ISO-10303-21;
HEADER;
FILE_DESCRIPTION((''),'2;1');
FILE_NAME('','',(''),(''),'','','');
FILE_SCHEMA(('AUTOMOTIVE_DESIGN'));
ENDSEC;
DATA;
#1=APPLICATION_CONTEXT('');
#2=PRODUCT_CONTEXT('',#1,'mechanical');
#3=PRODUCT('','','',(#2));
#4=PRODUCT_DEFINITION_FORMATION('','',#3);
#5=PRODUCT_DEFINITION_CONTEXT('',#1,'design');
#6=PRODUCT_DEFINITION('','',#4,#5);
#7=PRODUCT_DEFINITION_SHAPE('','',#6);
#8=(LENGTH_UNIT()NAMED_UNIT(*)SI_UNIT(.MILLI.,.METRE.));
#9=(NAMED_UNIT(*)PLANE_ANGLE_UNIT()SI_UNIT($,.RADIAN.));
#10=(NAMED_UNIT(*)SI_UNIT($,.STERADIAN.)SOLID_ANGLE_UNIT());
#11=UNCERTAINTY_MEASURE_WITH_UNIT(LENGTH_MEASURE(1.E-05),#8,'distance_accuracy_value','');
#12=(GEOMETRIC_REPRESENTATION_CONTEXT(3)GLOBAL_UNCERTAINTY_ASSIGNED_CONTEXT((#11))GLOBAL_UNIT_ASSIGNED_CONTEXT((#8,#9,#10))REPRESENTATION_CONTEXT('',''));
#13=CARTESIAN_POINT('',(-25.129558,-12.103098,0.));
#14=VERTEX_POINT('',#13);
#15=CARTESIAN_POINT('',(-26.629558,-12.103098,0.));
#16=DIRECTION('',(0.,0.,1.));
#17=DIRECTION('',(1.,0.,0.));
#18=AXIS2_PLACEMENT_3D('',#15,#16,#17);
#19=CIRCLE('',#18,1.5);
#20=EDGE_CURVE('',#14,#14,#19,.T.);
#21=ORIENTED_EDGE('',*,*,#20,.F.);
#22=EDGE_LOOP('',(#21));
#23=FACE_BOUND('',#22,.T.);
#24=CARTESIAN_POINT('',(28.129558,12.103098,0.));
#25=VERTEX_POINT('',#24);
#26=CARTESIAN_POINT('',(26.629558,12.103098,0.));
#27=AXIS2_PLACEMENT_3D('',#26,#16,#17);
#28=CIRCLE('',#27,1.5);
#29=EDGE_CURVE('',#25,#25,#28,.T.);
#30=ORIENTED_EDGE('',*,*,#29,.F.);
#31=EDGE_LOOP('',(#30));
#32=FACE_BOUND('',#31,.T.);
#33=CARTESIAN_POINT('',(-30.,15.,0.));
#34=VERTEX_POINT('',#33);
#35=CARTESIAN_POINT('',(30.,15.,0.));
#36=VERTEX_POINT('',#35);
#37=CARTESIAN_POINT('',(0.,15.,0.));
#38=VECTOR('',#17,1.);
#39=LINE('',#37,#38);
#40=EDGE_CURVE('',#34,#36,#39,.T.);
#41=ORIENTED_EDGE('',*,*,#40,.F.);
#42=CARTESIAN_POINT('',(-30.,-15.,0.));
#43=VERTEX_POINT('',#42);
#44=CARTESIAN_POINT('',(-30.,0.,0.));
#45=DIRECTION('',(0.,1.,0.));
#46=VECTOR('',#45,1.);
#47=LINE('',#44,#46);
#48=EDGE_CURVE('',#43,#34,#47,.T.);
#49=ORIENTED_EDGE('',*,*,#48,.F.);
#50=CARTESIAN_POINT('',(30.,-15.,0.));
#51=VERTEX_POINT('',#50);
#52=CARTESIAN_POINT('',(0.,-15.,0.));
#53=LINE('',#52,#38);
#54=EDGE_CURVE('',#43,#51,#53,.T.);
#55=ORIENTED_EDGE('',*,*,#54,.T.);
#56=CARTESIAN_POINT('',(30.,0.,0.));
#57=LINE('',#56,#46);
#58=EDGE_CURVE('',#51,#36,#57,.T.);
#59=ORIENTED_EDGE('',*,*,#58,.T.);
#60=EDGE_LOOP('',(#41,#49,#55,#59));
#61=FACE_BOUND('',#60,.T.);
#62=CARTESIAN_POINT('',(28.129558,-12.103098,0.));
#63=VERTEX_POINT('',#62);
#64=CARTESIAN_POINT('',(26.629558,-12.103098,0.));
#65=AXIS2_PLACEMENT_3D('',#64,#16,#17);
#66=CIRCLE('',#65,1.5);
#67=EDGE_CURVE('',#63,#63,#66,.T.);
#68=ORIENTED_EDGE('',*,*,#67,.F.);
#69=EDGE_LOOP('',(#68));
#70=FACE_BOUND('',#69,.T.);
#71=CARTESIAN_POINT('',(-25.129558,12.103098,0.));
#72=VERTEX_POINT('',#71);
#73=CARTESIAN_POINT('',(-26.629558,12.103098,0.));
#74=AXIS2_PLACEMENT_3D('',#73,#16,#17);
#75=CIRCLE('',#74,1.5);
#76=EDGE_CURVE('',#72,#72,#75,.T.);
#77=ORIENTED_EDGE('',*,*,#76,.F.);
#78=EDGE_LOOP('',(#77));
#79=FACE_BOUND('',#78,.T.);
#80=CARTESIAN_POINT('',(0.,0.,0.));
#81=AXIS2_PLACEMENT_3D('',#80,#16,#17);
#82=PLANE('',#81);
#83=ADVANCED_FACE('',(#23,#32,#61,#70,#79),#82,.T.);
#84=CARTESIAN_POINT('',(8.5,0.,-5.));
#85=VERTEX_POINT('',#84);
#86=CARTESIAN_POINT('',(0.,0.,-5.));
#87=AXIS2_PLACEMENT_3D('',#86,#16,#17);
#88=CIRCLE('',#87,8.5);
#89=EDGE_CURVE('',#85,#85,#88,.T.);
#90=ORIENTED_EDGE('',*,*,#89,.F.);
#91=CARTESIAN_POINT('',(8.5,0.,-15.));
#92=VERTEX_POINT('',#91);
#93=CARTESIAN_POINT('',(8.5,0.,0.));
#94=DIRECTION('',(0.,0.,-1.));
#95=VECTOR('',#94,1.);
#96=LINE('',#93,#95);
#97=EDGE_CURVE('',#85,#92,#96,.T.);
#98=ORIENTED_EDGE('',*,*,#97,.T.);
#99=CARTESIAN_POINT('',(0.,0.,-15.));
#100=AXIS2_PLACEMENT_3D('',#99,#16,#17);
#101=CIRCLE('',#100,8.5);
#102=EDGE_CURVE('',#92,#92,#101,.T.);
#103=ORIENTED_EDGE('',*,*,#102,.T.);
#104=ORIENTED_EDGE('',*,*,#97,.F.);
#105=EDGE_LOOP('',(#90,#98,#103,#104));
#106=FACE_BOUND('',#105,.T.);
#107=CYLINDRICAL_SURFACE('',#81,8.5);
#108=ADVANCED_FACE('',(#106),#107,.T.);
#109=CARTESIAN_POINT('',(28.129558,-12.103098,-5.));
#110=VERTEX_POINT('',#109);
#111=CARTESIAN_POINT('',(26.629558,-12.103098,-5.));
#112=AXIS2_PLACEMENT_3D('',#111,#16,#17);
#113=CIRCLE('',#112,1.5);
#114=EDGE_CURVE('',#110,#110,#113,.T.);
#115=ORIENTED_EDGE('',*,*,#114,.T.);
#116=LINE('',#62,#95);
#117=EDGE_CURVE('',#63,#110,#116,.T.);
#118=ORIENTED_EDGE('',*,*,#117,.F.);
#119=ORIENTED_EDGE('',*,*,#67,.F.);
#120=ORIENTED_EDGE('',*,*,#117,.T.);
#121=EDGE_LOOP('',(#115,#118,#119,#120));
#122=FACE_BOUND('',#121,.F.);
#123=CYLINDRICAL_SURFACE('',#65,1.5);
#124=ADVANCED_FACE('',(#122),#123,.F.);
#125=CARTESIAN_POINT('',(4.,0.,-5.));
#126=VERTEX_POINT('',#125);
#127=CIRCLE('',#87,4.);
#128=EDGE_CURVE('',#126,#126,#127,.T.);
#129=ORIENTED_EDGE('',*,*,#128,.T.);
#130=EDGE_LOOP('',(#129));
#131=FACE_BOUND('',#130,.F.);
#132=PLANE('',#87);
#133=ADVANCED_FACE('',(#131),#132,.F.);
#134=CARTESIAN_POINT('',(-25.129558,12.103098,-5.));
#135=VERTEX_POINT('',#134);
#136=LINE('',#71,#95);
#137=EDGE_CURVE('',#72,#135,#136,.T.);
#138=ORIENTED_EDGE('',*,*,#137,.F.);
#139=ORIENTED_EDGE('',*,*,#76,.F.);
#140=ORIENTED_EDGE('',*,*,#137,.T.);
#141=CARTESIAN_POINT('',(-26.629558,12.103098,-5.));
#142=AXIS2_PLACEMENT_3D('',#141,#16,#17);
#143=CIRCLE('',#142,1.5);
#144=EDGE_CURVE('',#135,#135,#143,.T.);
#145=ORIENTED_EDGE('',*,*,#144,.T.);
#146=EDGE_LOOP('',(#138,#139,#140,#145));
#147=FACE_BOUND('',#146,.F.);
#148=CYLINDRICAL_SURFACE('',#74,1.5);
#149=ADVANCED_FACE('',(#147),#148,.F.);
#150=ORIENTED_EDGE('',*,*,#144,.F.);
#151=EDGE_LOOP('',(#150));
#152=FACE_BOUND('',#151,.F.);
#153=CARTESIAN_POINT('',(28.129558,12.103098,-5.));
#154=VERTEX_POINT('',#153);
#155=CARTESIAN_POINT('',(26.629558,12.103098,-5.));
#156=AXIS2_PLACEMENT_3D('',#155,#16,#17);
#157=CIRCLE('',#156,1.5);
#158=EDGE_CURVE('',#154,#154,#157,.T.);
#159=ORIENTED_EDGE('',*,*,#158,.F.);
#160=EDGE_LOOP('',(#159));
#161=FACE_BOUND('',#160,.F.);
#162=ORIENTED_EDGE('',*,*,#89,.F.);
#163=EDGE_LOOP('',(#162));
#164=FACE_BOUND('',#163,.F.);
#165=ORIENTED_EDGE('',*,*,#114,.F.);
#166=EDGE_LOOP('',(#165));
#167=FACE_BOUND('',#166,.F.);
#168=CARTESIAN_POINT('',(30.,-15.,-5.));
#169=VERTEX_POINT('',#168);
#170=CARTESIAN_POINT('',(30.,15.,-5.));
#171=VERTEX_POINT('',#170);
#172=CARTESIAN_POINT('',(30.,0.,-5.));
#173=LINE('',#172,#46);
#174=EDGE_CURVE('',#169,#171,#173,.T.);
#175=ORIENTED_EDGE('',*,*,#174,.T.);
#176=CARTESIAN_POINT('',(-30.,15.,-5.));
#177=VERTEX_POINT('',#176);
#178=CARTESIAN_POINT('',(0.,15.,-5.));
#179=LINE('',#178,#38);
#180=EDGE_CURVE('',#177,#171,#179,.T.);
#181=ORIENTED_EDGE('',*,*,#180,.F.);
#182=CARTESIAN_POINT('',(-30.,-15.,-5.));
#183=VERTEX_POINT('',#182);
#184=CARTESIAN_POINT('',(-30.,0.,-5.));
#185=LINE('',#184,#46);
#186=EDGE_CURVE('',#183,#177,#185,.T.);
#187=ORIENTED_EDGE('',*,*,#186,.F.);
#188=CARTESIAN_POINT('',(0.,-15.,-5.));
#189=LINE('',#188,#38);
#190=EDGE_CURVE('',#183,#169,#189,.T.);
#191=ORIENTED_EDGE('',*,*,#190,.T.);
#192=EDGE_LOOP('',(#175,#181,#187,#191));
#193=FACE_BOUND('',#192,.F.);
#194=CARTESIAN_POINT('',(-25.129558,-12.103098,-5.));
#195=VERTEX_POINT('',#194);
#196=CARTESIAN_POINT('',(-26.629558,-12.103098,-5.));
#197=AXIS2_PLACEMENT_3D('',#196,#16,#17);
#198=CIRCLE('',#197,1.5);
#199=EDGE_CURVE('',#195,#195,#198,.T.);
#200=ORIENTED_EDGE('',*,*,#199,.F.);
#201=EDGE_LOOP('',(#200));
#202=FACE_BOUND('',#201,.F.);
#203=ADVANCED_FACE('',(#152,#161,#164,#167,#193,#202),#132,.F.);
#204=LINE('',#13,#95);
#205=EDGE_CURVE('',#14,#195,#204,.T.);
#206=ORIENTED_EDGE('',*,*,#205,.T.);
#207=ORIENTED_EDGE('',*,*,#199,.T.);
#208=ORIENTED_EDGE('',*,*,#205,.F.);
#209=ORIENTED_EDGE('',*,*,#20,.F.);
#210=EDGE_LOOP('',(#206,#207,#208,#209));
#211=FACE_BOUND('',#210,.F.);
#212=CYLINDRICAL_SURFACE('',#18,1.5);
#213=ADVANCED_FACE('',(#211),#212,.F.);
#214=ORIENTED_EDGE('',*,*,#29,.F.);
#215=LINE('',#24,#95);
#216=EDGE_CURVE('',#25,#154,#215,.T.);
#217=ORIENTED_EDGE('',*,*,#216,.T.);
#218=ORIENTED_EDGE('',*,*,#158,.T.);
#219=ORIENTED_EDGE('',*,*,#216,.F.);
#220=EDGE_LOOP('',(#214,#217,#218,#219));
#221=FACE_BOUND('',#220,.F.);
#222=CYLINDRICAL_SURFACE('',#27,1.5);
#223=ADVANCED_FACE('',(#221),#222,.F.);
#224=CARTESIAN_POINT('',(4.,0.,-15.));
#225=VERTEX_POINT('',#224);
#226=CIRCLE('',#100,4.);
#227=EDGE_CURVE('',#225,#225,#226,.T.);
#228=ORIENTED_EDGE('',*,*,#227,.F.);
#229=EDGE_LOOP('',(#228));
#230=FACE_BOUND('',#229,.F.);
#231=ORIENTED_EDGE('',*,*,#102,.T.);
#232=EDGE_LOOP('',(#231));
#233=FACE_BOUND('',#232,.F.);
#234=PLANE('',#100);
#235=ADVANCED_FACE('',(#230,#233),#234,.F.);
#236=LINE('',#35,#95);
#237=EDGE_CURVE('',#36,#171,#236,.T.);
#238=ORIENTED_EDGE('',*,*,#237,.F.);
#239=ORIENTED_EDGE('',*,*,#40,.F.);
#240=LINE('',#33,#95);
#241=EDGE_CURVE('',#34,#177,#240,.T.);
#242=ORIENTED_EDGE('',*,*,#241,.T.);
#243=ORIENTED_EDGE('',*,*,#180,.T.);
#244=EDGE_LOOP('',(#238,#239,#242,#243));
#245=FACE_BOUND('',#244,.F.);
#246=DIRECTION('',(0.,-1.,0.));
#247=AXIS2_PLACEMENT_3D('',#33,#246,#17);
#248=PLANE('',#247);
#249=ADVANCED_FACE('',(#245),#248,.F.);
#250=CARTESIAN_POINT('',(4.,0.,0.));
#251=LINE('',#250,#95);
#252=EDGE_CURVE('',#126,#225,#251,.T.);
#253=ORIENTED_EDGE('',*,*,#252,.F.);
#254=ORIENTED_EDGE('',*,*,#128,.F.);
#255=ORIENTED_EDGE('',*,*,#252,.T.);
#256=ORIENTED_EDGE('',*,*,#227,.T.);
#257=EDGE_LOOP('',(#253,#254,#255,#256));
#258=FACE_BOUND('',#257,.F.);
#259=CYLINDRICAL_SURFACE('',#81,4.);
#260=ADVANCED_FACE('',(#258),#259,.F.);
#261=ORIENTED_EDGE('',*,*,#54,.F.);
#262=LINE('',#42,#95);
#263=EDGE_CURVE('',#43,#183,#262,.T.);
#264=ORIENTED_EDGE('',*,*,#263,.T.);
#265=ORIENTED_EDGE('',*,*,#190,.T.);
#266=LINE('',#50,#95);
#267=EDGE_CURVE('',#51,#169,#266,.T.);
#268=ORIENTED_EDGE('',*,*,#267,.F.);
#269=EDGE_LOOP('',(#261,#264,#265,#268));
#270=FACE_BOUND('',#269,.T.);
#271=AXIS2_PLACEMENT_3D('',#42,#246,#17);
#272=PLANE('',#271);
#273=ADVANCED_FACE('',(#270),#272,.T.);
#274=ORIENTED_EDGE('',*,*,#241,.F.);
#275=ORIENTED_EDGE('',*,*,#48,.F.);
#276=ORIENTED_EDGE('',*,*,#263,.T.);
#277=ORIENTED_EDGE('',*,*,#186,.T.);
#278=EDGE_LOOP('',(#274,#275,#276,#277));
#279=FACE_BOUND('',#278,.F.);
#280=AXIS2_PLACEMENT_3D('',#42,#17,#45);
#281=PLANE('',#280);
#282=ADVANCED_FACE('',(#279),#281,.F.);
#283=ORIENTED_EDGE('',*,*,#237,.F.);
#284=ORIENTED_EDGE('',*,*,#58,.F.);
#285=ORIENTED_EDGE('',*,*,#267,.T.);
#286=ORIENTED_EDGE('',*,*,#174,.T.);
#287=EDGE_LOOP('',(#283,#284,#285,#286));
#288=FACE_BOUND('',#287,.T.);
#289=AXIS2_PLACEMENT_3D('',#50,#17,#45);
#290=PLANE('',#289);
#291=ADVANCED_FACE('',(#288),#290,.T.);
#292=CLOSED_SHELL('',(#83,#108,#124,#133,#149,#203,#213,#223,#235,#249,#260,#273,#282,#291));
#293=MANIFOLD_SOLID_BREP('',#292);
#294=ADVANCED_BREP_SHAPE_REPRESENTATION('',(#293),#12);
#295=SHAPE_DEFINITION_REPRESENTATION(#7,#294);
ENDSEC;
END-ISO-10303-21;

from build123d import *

# Parameters (mm, degrees)
F2_W     = 60
F2_H     = 30
F2_R     = 1.5
F3_DEPTH = 5
F1_R     = 8.5
F1_R_2   = 4
F4_DEPTH = 15


with BuildPart() as f3:
    # F2 (on face) → F3 (new body)
    with BuildSketch(Plane.XY):
        Rectangle(F2_W, F2_H)
        with Locations((-26.629558, -12.103098)):
            Circle(F2_R, mode=Mode.SUBTRACT)
        with Locations((26.629558, -12.103098)):
            Circle(F2_R, mode=Mode.SUBTRACT)
        with Locations((-26.629558, 12.103098)):
            Circle(F2_R, mode=Mode.SUBTRACT)
        with Locations((26.629558, 12.103098)):
            Circle(F2_R, mode=Mode.SUBTRACT)
    extrude(amount=-F3_DEPTH)

    # F1 (on face) → F4 (join)
    with BuildSketch(Plane.XY):
        Circle(F1_R)
        Circle(F1_R_2, mode=Mode.SUBTRACT)
    extrude(amount=-F4_DEPTH)


solid = f3.part
